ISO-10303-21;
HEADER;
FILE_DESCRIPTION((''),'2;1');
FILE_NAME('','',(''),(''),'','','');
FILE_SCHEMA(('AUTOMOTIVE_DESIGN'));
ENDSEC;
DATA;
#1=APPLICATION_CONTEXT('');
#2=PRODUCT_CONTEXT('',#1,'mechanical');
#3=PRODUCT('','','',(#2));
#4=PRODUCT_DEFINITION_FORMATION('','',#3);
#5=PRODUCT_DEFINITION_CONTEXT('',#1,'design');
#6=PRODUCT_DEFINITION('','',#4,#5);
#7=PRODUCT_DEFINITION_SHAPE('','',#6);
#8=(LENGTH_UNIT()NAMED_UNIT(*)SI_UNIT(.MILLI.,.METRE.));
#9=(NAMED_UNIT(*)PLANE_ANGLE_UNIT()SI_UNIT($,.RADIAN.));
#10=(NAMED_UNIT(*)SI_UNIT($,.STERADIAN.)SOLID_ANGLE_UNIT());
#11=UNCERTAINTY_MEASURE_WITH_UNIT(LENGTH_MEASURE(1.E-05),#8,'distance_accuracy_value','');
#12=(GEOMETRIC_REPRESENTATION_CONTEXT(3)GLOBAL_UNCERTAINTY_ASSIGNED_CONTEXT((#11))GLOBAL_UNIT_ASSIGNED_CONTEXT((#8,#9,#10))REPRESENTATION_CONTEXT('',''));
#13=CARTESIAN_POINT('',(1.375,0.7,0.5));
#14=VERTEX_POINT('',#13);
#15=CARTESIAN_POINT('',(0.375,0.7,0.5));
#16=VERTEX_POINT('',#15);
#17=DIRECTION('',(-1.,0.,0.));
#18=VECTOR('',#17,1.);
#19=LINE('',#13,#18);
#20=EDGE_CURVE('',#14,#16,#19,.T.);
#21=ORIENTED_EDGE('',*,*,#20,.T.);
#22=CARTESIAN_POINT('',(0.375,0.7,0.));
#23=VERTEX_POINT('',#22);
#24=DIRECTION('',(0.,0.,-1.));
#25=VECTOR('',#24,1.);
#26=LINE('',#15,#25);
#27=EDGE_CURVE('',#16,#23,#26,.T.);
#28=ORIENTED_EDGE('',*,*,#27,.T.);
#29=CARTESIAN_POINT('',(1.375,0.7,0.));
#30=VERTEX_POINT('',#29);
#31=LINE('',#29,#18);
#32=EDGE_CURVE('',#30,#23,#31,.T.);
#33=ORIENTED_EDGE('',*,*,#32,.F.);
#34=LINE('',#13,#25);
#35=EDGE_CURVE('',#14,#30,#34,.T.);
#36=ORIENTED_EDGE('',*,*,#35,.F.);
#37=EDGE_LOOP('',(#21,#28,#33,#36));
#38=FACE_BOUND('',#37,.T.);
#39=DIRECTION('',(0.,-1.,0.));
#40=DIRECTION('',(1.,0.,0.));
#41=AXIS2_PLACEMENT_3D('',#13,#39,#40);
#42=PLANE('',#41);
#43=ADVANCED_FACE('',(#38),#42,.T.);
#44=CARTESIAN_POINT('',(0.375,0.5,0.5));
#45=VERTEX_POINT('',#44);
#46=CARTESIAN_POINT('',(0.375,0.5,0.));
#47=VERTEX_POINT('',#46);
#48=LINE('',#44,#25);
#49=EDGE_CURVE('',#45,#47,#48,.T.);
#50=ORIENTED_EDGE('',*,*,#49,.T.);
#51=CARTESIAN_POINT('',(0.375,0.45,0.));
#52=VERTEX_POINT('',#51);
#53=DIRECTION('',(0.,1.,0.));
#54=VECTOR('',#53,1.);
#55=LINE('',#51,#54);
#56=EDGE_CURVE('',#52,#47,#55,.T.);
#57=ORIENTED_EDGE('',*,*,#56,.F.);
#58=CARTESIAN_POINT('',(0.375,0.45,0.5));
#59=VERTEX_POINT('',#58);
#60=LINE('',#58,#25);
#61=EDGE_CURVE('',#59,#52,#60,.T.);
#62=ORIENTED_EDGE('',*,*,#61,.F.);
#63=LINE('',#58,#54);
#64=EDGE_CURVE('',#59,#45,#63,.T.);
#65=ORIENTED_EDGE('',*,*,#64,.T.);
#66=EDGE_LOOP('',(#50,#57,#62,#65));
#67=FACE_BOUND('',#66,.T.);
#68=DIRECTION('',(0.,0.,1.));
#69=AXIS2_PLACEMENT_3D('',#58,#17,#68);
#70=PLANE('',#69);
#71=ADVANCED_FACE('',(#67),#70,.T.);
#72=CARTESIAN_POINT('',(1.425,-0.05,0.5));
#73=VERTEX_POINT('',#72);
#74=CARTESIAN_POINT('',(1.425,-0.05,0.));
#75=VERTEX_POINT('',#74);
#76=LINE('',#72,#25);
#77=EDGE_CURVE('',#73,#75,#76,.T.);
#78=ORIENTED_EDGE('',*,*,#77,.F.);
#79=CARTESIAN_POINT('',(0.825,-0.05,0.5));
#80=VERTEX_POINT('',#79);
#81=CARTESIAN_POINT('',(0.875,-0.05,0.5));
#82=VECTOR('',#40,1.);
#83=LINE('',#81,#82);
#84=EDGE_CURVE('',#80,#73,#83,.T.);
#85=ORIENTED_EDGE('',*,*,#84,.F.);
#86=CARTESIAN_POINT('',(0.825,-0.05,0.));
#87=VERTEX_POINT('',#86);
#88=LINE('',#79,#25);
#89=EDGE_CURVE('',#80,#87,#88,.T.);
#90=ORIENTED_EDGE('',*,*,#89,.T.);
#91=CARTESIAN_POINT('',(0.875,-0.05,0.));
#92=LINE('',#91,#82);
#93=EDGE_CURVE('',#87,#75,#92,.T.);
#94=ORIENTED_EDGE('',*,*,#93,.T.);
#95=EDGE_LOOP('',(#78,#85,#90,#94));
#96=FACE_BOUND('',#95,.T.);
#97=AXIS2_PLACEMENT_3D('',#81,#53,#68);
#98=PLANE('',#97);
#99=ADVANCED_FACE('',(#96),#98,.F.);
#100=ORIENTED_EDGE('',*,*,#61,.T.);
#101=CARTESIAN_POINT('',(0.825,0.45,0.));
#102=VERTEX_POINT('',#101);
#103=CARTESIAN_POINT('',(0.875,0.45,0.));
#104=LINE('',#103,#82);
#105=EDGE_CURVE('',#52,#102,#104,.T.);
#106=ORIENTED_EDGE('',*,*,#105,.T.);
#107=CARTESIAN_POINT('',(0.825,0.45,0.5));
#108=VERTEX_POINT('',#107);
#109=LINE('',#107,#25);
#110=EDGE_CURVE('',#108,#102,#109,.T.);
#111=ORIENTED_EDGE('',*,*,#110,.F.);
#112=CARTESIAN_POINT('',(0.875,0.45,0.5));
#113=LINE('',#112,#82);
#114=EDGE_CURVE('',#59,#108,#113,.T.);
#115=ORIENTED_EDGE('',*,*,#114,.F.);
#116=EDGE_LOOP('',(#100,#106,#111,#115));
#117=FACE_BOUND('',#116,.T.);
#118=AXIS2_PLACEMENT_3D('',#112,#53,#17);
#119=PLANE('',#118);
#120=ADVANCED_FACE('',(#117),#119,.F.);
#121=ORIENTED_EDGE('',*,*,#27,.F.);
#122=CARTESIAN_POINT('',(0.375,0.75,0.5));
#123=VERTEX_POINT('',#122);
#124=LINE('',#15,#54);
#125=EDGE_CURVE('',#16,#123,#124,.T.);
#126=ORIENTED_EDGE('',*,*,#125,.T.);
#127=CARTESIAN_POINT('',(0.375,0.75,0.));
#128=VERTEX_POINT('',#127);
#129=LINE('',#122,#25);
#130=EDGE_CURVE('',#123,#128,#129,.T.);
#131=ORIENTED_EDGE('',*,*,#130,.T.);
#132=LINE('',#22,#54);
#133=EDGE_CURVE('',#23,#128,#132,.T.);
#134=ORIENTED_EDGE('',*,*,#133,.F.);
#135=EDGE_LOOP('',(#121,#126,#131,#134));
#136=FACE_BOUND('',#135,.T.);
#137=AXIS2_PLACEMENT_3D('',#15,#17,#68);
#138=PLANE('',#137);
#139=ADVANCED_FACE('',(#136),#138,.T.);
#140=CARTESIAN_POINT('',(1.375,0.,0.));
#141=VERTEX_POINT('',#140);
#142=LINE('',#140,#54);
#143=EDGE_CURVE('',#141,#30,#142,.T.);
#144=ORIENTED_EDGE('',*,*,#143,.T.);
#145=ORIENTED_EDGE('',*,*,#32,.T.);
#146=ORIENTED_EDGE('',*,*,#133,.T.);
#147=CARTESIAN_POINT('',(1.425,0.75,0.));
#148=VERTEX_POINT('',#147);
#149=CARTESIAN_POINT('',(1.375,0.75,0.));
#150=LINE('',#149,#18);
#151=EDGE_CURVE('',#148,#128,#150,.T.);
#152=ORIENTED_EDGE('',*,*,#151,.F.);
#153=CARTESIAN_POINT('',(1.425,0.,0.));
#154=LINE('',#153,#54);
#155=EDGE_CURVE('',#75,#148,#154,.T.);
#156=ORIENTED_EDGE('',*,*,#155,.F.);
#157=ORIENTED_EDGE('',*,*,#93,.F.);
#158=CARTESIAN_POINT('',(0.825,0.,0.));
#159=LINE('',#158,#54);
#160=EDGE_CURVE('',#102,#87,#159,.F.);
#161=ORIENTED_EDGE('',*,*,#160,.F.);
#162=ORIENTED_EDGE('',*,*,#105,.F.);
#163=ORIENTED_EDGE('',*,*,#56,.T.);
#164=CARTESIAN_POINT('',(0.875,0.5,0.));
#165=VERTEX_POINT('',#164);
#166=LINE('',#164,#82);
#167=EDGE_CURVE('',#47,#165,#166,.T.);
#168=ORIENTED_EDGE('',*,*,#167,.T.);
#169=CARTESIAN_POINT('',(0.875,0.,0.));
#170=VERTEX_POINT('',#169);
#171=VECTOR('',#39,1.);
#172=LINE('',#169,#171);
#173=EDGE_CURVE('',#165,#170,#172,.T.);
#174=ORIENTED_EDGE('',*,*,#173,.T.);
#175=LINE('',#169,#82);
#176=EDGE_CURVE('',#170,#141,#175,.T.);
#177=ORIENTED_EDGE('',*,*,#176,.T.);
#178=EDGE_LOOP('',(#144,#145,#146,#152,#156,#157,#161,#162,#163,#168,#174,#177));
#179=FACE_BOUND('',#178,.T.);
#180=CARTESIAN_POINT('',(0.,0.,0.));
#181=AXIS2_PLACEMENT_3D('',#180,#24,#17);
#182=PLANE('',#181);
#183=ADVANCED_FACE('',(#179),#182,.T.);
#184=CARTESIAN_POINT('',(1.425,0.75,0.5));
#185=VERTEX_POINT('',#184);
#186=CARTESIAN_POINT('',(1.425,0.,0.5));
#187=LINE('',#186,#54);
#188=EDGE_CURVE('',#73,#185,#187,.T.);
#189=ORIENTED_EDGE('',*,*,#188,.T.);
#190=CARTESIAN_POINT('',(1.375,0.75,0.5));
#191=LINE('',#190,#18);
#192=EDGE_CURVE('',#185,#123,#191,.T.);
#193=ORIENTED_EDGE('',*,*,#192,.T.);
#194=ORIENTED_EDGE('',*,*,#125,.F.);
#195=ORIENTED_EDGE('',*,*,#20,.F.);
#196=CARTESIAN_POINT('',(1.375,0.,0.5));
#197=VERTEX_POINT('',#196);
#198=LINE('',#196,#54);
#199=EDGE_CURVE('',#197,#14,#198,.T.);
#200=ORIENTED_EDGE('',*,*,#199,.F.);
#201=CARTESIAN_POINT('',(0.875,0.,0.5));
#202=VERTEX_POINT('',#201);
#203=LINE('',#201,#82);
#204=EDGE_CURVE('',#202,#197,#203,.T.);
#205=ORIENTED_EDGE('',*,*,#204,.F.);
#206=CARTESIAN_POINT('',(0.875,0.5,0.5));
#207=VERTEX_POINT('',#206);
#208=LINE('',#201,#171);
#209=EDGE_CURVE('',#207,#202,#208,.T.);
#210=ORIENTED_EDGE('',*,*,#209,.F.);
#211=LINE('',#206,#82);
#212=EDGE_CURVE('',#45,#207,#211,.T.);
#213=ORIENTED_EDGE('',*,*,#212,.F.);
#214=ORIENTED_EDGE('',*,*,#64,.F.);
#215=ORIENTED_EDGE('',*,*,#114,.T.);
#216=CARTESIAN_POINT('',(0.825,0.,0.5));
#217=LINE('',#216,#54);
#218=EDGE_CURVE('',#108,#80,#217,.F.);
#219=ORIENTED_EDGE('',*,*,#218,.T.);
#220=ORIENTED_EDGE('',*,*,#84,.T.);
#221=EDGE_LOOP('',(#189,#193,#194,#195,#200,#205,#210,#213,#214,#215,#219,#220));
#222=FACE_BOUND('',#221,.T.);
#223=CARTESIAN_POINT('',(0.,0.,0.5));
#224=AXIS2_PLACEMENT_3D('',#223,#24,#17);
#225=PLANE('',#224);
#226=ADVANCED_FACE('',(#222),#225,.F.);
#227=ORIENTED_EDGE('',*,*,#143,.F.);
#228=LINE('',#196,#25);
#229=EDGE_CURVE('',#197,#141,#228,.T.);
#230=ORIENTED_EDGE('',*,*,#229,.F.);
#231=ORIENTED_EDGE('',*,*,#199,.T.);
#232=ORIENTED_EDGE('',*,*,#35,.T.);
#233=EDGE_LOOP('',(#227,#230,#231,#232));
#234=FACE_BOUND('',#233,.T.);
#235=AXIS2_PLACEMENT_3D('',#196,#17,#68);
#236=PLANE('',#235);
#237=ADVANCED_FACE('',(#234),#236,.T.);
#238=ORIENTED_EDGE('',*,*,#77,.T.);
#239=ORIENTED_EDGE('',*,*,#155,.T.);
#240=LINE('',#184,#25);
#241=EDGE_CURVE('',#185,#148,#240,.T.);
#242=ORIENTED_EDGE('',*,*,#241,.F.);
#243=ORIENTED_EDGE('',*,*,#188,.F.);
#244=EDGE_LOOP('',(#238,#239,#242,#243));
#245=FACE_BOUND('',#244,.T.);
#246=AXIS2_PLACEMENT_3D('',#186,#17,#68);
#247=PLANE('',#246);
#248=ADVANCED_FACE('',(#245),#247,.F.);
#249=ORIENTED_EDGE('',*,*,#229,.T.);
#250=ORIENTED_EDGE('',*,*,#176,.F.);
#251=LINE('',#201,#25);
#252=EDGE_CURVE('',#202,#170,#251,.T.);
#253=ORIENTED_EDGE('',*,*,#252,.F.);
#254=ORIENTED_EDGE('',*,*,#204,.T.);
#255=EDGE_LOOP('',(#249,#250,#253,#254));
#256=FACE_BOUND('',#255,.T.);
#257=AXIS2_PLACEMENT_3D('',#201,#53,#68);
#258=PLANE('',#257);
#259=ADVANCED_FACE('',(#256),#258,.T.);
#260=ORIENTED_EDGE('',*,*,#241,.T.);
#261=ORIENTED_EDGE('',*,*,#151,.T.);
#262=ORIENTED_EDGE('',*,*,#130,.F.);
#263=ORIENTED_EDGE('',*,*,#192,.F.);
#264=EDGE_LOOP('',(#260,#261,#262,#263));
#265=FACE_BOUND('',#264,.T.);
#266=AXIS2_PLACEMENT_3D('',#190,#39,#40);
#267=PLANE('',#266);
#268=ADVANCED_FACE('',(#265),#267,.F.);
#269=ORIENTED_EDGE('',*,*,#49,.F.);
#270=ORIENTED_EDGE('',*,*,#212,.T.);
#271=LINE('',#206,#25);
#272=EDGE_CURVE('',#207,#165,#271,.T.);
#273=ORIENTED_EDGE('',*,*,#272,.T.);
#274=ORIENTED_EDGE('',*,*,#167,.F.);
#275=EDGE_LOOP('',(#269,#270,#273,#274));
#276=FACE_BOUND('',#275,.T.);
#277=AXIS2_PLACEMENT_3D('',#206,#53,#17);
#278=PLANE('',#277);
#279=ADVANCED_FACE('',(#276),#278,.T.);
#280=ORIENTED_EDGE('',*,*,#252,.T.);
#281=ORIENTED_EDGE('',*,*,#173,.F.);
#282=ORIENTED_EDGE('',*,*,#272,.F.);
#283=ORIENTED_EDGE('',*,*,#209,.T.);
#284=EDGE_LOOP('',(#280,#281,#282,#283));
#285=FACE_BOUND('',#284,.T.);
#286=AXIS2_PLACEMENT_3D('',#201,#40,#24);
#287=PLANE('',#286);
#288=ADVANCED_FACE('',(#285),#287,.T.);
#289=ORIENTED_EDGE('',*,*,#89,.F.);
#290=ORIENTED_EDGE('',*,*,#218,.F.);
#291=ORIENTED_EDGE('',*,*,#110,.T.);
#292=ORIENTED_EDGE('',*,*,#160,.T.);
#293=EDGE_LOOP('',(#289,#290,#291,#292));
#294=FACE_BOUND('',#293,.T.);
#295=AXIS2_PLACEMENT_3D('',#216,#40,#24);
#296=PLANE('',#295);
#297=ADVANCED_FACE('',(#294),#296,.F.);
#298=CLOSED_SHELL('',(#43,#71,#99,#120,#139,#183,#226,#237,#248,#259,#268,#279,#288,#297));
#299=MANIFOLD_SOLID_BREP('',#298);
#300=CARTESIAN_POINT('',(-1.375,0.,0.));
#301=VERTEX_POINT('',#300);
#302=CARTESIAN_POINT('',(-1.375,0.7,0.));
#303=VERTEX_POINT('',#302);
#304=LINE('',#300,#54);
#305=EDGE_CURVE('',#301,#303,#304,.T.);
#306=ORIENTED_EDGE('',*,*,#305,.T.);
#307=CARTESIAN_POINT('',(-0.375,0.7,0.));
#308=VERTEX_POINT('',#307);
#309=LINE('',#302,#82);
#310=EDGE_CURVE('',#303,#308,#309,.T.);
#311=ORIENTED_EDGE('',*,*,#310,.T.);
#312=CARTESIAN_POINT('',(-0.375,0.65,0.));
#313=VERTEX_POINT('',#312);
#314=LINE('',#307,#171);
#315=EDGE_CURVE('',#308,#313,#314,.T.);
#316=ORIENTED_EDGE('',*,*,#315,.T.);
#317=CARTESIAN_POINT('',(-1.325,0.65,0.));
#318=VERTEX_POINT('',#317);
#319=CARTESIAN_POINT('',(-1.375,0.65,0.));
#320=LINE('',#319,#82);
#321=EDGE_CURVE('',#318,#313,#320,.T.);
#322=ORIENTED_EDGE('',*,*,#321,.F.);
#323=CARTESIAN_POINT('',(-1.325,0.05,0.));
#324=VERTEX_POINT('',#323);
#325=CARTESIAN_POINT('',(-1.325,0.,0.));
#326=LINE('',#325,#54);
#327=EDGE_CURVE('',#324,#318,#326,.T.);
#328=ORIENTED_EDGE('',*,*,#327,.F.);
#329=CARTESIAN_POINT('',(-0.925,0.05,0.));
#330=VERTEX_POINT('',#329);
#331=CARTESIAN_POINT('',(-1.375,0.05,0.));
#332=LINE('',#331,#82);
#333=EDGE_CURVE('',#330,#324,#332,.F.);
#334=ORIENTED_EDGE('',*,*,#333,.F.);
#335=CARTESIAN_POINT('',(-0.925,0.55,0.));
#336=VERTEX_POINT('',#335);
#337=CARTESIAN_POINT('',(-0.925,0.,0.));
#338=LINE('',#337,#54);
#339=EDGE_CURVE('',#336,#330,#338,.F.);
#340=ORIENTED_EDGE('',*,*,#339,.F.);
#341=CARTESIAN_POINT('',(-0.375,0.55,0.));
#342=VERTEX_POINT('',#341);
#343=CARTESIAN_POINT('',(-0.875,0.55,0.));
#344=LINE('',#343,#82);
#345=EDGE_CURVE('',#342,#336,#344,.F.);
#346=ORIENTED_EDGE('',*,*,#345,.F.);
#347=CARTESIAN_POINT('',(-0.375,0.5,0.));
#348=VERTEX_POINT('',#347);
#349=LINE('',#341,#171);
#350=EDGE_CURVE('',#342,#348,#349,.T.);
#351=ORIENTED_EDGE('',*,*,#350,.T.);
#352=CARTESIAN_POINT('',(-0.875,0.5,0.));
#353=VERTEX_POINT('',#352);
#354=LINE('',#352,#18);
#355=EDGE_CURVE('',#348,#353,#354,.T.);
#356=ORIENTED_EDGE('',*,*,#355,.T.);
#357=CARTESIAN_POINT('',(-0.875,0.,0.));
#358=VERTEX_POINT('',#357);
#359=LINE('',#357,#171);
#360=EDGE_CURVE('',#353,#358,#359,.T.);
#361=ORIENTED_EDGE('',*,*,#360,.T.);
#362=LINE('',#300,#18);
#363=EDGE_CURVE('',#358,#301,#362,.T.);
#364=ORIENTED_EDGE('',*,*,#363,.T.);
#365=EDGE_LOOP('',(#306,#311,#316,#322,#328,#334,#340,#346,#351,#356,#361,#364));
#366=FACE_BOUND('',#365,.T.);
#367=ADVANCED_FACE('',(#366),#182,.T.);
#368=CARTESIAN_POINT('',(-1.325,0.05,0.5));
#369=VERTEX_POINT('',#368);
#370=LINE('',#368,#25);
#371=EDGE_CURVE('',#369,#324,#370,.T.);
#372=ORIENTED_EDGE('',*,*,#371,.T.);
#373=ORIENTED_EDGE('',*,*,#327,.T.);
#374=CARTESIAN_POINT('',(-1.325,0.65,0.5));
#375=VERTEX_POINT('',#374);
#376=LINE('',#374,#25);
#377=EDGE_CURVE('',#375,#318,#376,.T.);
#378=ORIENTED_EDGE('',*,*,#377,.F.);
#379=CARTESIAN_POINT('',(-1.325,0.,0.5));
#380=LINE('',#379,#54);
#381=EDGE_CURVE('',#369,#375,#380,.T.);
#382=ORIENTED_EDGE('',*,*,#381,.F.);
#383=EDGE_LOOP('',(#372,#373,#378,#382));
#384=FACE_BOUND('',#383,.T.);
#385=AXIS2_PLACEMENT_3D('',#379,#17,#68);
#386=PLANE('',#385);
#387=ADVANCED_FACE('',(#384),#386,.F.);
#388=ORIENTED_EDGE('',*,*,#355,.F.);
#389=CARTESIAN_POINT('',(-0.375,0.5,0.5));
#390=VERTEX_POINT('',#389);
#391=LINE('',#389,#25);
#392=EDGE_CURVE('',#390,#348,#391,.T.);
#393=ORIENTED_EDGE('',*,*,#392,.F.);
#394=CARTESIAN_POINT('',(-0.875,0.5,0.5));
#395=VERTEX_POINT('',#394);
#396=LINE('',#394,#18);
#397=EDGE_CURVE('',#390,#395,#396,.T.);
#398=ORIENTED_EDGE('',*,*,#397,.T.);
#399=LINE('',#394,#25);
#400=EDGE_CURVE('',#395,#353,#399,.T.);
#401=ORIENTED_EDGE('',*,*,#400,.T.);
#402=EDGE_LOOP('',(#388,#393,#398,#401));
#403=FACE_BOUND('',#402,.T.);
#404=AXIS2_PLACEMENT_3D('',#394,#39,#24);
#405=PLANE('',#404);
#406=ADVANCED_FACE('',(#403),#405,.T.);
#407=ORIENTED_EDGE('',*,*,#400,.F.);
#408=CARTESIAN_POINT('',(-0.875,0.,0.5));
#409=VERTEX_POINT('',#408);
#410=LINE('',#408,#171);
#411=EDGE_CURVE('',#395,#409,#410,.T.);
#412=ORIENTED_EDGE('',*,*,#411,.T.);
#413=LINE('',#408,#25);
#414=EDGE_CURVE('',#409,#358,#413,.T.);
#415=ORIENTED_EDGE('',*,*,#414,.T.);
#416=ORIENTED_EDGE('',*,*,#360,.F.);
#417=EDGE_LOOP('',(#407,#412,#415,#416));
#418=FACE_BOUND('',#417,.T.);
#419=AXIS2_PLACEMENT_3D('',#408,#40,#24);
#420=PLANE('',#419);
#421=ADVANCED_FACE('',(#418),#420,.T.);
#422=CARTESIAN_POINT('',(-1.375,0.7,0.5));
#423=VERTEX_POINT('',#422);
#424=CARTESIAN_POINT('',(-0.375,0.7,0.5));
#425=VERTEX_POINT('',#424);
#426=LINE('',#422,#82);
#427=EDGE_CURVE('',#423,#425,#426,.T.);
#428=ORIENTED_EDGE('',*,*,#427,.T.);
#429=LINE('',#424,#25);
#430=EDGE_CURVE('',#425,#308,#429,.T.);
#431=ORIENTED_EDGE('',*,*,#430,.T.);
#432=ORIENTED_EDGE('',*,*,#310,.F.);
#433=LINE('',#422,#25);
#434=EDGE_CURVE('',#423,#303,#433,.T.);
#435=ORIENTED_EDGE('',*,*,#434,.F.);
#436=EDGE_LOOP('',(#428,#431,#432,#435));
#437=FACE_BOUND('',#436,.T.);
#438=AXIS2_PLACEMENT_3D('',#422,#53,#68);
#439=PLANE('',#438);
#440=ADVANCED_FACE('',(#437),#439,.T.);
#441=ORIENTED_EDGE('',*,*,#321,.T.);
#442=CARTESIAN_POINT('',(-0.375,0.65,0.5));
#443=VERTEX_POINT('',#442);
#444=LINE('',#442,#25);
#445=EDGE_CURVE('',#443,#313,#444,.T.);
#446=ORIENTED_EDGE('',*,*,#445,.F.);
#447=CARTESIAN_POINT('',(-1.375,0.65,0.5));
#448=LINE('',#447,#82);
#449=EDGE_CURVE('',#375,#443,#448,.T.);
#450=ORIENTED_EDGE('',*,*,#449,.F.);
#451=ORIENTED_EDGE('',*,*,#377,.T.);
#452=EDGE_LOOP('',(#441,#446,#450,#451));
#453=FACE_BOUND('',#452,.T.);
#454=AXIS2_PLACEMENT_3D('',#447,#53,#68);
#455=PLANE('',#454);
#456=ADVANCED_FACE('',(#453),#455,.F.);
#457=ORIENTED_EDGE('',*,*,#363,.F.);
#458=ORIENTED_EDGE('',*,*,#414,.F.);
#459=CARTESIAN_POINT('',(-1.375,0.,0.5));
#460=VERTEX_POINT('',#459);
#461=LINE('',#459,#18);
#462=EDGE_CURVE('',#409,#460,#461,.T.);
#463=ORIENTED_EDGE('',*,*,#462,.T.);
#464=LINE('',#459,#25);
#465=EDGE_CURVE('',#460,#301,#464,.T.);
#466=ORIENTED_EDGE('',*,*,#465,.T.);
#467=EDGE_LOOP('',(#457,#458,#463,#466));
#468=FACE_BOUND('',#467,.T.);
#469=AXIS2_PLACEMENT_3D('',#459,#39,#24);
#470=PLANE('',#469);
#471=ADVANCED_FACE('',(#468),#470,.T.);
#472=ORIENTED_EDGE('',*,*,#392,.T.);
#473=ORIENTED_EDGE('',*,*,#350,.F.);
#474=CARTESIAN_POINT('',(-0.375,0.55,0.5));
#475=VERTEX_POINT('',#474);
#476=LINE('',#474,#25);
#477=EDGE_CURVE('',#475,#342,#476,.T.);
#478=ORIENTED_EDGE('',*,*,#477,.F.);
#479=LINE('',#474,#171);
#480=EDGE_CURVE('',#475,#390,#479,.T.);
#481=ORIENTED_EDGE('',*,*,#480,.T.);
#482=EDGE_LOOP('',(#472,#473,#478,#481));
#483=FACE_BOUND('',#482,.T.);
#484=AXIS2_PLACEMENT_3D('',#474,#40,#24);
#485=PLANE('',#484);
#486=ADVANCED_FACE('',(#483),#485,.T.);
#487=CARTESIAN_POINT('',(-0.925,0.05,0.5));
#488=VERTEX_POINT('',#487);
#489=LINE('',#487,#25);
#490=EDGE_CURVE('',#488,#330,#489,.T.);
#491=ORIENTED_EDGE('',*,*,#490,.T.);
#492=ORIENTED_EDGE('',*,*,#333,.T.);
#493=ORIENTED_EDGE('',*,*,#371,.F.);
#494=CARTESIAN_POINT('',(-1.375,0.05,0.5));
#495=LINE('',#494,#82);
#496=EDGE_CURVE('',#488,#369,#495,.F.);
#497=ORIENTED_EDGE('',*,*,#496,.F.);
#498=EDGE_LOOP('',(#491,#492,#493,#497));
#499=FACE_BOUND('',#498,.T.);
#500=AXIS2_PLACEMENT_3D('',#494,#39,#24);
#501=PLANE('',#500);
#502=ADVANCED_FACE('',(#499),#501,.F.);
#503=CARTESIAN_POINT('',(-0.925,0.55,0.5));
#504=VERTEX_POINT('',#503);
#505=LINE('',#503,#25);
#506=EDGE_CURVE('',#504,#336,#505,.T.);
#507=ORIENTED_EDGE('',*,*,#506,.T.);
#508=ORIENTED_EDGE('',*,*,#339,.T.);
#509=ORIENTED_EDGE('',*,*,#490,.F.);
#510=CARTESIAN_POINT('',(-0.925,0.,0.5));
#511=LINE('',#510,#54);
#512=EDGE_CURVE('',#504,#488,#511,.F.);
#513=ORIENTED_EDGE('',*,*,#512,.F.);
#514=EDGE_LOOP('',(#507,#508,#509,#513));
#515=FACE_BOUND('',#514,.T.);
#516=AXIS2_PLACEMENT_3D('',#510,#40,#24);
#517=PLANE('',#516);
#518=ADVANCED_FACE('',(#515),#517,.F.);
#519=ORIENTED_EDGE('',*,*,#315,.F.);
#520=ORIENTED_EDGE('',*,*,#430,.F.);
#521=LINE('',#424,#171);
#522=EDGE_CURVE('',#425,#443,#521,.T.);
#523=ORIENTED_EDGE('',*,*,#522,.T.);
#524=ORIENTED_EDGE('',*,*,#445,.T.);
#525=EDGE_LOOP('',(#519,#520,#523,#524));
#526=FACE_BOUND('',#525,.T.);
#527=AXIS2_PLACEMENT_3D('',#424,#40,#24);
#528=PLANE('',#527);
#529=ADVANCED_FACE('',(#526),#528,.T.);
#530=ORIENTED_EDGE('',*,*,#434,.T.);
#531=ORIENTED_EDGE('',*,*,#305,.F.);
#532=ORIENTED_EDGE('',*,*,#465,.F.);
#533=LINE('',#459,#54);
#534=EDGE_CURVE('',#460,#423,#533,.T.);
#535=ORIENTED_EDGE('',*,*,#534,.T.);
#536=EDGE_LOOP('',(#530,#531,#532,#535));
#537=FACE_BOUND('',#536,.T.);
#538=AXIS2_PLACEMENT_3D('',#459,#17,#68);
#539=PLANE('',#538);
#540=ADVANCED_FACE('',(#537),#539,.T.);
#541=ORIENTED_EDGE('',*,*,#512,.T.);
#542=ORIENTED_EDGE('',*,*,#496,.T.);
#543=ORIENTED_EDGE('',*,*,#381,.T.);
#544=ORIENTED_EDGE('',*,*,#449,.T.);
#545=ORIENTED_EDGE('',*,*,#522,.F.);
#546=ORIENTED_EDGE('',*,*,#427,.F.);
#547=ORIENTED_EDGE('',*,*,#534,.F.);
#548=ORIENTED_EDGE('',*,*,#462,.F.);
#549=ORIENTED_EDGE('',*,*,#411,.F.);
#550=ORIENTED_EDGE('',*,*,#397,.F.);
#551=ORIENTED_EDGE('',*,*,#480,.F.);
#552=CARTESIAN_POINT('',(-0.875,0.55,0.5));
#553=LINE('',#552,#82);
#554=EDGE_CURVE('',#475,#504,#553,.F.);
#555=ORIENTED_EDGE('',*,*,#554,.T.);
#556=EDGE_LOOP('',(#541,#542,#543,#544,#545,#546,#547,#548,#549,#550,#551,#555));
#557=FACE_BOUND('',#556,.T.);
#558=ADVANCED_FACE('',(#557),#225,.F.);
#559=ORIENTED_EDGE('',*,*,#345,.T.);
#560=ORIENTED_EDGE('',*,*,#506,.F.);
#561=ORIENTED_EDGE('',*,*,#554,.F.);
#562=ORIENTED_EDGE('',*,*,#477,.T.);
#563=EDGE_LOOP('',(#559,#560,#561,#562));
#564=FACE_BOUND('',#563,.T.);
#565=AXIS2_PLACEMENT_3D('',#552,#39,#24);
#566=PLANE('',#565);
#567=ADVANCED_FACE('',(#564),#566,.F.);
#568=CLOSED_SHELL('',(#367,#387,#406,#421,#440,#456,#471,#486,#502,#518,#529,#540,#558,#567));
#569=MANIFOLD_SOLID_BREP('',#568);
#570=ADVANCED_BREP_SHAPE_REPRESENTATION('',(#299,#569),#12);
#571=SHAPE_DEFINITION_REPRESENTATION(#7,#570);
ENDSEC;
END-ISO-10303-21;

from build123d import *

# Parameters (mm, degrees)
EXTRUDE_THIN2_DEPTH   = 0.5
EXTRUDE_THIN2_2_DEPTH = 0.5


with BuildPart() as part:
    # Sketch2 → Extrude-Thin2 (new body)
    with BuildSketch(Plane.XY):
        Polygon((-0.375, 0.7), (-1.375, 0.7), (-1.375, 0), (-0.875, 0), (-0.875, 0.5), (-0.375, 0.5), (-0.375, 0.55), (-0.925, 0.55), (-0.925, 0.05), (-1.325, 0.05), (-1.325, 0.65), (-0.375, 0.65), align=None)
    extrude(amount=EXTRUDE_THIN2_DEPTH)


with BuildPart() as body_2:
    # Sketch2 → Extrude-Thin2 2 (new body)
    with BuildSketch(Plane.XY):
        Polygon((0.375, 0.7), (1.375, 0.7), (1.375, 0), (0.875, 0), (0.875, 0.5), (0.375, 0.5), (0.375, 0.45), (0.825, 0.45), (0.825, -0.05), (1.425, -0.05), (1.425, 0.75), (0.375, 0.75), align=None)
    extrude(amount=EXTRUDE_THIN2_2_DEPTH)


solid = Compound([part.part, body_2.part])
